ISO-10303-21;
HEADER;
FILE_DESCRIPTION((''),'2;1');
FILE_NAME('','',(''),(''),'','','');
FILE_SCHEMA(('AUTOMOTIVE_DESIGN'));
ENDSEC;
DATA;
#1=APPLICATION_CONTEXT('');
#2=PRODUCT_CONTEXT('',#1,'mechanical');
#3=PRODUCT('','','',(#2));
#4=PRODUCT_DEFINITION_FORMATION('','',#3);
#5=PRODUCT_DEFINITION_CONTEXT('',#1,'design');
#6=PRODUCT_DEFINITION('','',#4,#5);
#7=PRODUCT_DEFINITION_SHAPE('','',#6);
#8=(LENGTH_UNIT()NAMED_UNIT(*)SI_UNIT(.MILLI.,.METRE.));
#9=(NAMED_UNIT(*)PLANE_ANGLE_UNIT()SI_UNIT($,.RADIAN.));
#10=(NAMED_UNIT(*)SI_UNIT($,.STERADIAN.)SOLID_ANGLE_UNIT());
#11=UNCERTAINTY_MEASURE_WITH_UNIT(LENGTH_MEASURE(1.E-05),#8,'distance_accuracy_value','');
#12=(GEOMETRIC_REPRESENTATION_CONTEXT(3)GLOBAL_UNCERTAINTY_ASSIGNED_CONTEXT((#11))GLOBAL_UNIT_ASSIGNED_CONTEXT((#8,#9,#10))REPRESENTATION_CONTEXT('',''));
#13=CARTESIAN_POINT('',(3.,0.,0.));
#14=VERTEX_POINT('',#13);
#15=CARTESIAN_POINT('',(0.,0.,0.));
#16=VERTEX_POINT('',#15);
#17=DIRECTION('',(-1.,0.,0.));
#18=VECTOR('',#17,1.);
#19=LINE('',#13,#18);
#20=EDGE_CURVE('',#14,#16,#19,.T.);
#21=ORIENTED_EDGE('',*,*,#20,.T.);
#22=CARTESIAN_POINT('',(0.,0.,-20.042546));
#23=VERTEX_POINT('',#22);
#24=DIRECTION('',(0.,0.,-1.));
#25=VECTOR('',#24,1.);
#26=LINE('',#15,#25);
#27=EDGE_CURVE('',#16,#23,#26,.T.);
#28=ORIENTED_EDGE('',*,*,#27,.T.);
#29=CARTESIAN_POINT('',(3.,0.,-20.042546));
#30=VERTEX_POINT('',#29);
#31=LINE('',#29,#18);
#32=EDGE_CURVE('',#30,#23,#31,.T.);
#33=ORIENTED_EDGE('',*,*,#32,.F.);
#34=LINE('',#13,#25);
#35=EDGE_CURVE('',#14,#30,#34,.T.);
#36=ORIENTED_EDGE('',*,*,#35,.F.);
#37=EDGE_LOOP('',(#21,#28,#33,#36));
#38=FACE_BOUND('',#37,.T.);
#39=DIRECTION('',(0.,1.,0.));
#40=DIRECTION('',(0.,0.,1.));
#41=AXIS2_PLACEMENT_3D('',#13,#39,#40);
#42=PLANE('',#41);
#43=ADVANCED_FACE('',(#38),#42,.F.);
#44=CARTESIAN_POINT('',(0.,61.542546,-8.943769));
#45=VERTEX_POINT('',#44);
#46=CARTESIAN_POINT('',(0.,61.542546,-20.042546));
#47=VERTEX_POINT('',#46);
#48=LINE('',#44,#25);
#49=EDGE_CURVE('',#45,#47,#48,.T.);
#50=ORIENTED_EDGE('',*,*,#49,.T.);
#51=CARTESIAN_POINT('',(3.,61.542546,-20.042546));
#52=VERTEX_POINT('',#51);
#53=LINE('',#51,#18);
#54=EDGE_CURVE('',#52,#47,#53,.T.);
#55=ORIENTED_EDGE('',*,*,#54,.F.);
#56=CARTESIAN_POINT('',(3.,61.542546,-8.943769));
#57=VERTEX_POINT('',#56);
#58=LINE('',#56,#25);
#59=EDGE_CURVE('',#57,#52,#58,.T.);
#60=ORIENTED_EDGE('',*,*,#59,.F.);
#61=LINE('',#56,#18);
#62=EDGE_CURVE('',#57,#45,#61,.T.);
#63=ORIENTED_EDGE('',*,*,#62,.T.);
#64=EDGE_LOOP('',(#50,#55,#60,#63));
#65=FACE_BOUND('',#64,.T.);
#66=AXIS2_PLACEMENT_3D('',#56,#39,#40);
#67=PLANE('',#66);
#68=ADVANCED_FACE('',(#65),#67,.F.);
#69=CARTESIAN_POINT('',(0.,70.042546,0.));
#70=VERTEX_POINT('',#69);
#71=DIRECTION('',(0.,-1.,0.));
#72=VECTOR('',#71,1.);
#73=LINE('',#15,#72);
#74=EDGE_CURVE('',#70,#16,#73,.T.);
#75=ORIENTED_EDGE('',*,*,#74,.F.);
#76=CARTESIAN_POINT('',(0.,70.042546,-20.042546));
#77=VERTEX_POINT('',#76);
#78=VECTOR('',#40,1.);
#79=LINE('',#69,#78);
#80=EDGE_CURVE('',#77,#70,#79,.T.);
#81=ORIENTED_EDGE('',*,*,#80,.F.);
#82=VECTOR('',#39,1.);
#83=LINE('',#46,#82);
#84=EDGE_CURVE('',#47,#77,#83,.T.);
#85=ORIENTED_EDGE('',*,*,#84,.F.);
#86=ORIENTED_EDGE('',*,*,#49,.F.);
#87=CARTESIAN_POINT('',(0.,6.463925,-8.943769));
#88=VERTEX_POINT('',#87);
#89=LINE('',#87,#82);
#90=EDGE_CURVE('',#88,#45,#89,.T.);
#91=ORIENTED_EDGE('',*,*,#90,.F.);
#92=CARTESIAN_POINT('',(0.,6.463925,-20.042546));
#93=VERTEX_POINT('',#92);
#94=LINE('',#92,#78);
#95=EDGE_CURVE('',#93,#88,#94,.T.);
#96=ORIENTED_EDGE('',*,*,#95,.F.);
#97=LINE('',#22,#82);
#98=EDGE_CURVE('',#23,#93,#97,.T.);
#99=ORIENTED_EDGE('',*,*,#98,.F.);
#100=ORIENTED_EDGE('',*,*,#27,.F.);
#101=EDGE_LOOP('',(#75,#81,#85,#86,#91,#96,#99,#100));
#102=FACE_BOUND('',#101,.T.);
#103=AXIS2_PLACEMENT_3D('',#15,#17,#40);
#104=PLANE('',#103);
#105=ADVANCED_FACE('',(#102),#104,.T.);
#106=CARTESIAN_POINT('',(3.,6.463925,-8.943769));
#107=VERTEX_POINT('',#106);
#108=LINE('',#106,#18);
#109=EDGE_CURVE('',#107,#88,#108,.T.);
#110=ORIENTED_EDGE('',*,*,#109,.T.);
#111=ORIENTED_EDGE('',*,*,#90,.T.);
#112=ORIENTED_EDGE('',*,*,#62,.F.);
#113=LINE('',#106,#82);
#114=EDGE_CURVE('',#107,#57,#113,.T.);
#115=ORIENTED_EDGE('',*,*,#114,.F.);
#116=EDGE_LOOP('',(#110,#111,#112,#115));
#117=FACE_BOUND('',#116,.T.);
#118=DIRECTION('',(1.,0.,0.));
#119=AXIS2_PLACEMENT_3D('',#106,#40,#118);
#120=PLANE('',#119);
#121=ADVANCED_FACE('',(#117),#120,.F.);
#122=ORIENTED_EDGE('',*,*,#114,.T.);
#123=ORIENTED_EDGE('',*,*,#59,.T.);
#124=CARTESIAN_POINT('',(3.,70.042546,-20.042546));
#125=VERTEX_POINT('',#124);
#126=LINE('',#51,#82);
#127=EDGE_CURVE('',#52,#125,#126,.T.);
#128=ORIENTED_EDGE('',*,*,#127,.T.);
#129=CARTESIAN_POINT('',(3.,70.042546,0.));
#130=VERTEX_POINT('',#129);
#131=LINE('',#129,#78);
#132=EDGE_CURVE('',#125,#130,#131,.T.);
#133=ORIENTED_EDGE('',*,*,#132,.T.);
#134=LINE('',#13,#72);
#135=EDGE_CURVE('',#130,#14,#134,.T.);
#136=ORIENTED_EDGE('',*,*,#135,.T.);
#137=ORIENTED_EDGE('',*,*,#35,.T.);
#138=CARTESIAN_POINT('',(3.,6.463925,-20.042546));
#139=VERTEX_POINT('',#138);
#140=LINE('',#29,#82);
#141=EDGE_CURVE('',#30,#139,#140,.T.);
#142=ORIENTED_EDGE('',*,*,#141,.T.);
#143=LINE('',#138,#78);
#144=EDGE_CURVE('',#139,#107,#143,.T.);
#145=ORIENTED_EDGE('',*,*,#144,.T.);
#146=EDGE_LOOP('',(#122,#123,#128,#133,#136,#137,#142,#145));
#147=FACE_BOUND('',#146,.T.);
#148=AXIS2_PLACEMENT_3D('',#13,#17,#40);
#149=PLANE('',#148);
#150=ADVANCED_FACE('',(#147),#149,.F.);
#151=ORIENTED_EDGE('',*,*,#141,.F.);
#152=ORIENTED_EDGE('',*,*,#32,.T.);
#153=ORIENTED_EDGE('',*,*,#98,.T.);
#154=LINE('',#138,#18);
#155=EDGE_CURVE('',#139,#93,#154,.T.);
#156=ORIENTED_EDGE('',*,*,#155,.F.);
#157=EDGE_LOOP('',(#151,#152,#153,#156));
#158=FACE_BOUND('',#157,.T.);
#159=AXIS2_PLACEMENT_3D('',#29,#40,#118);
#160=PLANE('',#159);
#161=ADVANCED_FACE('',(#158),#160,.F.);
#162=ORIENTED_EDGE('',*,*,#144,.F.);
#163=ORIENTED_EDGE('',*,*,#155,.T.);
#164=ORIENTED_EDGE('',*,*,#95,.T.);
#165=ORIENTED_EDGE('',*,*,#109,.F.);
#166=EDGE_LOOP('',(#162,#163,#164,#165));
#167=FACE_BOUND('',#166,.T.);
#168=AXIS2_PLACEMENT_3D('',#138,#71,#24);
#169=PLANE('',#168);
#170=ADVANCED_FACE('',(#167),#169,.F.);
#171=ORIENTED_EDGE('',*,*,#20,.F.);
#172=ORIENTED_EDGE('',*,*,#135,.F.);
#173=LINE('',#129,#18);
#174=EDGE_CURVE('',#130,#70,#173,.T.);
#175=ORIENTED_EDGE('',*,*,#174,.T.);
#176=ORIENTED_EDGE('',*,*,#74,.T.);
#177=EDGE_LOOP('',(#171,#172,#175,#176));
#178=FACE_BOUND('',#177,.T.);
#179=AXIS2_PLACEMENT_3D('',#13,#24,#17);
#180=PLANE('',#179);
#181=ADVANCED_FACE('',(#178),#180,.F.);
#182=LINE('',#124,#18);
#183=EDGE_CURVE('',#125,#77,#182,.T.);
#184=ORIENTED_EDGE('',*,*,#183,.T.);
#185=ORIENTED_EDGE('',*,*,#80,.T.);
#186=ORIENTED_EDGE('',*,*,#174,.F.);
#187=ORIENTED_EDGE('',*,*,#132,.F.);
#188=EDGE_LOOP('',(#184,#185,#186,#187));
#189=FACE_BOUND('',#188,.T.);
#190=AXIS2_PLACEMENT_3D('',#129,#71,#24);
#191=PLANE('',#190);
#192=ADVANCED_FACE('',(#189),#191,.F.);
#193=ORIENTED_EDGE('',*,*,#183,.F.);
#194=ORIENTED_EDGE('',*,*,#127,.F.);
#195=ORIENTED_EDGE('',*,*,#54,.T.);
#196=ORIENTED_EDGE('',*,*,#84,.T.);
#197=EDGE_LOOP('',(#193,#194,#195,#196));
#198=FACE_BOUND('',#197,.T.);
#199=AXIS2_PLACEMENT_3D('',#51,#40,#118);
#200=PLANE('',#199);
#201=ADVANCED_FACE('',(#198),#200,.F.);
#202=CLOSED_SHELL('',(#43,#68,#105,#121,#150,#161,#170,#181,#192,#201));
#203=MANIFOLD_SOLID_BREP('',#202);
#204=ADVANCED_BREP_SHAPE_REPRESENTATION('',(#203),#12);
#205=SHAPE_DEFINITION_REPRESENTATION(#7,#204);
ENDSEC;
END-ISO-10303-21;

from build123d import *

# Parameters (mm, degrees)
BOSS_EXTRUDE1_DEPTH = 3


with BuildPart() as part:
    # Sketch1 → Boss-Extrude1 (new body)
    with BuildSketch(Plane(origin=(0, 0, 0), x_dir=(0, 0, -1), z_dir=(1, 0, 0))):
        Polygon((20.042546164, 0), (20.042546164, 6.463925393), (8.943768646, 6.463925393), (8.943768646, 61.542546164), (20.042546164, 61.542546164), (20.042546164, 70.042546164), (0, 70.042546164), (0, 0), align=None)
    extrude(amount=BOSS_EXTRUDE1_DEPTH)


solid = part.part
